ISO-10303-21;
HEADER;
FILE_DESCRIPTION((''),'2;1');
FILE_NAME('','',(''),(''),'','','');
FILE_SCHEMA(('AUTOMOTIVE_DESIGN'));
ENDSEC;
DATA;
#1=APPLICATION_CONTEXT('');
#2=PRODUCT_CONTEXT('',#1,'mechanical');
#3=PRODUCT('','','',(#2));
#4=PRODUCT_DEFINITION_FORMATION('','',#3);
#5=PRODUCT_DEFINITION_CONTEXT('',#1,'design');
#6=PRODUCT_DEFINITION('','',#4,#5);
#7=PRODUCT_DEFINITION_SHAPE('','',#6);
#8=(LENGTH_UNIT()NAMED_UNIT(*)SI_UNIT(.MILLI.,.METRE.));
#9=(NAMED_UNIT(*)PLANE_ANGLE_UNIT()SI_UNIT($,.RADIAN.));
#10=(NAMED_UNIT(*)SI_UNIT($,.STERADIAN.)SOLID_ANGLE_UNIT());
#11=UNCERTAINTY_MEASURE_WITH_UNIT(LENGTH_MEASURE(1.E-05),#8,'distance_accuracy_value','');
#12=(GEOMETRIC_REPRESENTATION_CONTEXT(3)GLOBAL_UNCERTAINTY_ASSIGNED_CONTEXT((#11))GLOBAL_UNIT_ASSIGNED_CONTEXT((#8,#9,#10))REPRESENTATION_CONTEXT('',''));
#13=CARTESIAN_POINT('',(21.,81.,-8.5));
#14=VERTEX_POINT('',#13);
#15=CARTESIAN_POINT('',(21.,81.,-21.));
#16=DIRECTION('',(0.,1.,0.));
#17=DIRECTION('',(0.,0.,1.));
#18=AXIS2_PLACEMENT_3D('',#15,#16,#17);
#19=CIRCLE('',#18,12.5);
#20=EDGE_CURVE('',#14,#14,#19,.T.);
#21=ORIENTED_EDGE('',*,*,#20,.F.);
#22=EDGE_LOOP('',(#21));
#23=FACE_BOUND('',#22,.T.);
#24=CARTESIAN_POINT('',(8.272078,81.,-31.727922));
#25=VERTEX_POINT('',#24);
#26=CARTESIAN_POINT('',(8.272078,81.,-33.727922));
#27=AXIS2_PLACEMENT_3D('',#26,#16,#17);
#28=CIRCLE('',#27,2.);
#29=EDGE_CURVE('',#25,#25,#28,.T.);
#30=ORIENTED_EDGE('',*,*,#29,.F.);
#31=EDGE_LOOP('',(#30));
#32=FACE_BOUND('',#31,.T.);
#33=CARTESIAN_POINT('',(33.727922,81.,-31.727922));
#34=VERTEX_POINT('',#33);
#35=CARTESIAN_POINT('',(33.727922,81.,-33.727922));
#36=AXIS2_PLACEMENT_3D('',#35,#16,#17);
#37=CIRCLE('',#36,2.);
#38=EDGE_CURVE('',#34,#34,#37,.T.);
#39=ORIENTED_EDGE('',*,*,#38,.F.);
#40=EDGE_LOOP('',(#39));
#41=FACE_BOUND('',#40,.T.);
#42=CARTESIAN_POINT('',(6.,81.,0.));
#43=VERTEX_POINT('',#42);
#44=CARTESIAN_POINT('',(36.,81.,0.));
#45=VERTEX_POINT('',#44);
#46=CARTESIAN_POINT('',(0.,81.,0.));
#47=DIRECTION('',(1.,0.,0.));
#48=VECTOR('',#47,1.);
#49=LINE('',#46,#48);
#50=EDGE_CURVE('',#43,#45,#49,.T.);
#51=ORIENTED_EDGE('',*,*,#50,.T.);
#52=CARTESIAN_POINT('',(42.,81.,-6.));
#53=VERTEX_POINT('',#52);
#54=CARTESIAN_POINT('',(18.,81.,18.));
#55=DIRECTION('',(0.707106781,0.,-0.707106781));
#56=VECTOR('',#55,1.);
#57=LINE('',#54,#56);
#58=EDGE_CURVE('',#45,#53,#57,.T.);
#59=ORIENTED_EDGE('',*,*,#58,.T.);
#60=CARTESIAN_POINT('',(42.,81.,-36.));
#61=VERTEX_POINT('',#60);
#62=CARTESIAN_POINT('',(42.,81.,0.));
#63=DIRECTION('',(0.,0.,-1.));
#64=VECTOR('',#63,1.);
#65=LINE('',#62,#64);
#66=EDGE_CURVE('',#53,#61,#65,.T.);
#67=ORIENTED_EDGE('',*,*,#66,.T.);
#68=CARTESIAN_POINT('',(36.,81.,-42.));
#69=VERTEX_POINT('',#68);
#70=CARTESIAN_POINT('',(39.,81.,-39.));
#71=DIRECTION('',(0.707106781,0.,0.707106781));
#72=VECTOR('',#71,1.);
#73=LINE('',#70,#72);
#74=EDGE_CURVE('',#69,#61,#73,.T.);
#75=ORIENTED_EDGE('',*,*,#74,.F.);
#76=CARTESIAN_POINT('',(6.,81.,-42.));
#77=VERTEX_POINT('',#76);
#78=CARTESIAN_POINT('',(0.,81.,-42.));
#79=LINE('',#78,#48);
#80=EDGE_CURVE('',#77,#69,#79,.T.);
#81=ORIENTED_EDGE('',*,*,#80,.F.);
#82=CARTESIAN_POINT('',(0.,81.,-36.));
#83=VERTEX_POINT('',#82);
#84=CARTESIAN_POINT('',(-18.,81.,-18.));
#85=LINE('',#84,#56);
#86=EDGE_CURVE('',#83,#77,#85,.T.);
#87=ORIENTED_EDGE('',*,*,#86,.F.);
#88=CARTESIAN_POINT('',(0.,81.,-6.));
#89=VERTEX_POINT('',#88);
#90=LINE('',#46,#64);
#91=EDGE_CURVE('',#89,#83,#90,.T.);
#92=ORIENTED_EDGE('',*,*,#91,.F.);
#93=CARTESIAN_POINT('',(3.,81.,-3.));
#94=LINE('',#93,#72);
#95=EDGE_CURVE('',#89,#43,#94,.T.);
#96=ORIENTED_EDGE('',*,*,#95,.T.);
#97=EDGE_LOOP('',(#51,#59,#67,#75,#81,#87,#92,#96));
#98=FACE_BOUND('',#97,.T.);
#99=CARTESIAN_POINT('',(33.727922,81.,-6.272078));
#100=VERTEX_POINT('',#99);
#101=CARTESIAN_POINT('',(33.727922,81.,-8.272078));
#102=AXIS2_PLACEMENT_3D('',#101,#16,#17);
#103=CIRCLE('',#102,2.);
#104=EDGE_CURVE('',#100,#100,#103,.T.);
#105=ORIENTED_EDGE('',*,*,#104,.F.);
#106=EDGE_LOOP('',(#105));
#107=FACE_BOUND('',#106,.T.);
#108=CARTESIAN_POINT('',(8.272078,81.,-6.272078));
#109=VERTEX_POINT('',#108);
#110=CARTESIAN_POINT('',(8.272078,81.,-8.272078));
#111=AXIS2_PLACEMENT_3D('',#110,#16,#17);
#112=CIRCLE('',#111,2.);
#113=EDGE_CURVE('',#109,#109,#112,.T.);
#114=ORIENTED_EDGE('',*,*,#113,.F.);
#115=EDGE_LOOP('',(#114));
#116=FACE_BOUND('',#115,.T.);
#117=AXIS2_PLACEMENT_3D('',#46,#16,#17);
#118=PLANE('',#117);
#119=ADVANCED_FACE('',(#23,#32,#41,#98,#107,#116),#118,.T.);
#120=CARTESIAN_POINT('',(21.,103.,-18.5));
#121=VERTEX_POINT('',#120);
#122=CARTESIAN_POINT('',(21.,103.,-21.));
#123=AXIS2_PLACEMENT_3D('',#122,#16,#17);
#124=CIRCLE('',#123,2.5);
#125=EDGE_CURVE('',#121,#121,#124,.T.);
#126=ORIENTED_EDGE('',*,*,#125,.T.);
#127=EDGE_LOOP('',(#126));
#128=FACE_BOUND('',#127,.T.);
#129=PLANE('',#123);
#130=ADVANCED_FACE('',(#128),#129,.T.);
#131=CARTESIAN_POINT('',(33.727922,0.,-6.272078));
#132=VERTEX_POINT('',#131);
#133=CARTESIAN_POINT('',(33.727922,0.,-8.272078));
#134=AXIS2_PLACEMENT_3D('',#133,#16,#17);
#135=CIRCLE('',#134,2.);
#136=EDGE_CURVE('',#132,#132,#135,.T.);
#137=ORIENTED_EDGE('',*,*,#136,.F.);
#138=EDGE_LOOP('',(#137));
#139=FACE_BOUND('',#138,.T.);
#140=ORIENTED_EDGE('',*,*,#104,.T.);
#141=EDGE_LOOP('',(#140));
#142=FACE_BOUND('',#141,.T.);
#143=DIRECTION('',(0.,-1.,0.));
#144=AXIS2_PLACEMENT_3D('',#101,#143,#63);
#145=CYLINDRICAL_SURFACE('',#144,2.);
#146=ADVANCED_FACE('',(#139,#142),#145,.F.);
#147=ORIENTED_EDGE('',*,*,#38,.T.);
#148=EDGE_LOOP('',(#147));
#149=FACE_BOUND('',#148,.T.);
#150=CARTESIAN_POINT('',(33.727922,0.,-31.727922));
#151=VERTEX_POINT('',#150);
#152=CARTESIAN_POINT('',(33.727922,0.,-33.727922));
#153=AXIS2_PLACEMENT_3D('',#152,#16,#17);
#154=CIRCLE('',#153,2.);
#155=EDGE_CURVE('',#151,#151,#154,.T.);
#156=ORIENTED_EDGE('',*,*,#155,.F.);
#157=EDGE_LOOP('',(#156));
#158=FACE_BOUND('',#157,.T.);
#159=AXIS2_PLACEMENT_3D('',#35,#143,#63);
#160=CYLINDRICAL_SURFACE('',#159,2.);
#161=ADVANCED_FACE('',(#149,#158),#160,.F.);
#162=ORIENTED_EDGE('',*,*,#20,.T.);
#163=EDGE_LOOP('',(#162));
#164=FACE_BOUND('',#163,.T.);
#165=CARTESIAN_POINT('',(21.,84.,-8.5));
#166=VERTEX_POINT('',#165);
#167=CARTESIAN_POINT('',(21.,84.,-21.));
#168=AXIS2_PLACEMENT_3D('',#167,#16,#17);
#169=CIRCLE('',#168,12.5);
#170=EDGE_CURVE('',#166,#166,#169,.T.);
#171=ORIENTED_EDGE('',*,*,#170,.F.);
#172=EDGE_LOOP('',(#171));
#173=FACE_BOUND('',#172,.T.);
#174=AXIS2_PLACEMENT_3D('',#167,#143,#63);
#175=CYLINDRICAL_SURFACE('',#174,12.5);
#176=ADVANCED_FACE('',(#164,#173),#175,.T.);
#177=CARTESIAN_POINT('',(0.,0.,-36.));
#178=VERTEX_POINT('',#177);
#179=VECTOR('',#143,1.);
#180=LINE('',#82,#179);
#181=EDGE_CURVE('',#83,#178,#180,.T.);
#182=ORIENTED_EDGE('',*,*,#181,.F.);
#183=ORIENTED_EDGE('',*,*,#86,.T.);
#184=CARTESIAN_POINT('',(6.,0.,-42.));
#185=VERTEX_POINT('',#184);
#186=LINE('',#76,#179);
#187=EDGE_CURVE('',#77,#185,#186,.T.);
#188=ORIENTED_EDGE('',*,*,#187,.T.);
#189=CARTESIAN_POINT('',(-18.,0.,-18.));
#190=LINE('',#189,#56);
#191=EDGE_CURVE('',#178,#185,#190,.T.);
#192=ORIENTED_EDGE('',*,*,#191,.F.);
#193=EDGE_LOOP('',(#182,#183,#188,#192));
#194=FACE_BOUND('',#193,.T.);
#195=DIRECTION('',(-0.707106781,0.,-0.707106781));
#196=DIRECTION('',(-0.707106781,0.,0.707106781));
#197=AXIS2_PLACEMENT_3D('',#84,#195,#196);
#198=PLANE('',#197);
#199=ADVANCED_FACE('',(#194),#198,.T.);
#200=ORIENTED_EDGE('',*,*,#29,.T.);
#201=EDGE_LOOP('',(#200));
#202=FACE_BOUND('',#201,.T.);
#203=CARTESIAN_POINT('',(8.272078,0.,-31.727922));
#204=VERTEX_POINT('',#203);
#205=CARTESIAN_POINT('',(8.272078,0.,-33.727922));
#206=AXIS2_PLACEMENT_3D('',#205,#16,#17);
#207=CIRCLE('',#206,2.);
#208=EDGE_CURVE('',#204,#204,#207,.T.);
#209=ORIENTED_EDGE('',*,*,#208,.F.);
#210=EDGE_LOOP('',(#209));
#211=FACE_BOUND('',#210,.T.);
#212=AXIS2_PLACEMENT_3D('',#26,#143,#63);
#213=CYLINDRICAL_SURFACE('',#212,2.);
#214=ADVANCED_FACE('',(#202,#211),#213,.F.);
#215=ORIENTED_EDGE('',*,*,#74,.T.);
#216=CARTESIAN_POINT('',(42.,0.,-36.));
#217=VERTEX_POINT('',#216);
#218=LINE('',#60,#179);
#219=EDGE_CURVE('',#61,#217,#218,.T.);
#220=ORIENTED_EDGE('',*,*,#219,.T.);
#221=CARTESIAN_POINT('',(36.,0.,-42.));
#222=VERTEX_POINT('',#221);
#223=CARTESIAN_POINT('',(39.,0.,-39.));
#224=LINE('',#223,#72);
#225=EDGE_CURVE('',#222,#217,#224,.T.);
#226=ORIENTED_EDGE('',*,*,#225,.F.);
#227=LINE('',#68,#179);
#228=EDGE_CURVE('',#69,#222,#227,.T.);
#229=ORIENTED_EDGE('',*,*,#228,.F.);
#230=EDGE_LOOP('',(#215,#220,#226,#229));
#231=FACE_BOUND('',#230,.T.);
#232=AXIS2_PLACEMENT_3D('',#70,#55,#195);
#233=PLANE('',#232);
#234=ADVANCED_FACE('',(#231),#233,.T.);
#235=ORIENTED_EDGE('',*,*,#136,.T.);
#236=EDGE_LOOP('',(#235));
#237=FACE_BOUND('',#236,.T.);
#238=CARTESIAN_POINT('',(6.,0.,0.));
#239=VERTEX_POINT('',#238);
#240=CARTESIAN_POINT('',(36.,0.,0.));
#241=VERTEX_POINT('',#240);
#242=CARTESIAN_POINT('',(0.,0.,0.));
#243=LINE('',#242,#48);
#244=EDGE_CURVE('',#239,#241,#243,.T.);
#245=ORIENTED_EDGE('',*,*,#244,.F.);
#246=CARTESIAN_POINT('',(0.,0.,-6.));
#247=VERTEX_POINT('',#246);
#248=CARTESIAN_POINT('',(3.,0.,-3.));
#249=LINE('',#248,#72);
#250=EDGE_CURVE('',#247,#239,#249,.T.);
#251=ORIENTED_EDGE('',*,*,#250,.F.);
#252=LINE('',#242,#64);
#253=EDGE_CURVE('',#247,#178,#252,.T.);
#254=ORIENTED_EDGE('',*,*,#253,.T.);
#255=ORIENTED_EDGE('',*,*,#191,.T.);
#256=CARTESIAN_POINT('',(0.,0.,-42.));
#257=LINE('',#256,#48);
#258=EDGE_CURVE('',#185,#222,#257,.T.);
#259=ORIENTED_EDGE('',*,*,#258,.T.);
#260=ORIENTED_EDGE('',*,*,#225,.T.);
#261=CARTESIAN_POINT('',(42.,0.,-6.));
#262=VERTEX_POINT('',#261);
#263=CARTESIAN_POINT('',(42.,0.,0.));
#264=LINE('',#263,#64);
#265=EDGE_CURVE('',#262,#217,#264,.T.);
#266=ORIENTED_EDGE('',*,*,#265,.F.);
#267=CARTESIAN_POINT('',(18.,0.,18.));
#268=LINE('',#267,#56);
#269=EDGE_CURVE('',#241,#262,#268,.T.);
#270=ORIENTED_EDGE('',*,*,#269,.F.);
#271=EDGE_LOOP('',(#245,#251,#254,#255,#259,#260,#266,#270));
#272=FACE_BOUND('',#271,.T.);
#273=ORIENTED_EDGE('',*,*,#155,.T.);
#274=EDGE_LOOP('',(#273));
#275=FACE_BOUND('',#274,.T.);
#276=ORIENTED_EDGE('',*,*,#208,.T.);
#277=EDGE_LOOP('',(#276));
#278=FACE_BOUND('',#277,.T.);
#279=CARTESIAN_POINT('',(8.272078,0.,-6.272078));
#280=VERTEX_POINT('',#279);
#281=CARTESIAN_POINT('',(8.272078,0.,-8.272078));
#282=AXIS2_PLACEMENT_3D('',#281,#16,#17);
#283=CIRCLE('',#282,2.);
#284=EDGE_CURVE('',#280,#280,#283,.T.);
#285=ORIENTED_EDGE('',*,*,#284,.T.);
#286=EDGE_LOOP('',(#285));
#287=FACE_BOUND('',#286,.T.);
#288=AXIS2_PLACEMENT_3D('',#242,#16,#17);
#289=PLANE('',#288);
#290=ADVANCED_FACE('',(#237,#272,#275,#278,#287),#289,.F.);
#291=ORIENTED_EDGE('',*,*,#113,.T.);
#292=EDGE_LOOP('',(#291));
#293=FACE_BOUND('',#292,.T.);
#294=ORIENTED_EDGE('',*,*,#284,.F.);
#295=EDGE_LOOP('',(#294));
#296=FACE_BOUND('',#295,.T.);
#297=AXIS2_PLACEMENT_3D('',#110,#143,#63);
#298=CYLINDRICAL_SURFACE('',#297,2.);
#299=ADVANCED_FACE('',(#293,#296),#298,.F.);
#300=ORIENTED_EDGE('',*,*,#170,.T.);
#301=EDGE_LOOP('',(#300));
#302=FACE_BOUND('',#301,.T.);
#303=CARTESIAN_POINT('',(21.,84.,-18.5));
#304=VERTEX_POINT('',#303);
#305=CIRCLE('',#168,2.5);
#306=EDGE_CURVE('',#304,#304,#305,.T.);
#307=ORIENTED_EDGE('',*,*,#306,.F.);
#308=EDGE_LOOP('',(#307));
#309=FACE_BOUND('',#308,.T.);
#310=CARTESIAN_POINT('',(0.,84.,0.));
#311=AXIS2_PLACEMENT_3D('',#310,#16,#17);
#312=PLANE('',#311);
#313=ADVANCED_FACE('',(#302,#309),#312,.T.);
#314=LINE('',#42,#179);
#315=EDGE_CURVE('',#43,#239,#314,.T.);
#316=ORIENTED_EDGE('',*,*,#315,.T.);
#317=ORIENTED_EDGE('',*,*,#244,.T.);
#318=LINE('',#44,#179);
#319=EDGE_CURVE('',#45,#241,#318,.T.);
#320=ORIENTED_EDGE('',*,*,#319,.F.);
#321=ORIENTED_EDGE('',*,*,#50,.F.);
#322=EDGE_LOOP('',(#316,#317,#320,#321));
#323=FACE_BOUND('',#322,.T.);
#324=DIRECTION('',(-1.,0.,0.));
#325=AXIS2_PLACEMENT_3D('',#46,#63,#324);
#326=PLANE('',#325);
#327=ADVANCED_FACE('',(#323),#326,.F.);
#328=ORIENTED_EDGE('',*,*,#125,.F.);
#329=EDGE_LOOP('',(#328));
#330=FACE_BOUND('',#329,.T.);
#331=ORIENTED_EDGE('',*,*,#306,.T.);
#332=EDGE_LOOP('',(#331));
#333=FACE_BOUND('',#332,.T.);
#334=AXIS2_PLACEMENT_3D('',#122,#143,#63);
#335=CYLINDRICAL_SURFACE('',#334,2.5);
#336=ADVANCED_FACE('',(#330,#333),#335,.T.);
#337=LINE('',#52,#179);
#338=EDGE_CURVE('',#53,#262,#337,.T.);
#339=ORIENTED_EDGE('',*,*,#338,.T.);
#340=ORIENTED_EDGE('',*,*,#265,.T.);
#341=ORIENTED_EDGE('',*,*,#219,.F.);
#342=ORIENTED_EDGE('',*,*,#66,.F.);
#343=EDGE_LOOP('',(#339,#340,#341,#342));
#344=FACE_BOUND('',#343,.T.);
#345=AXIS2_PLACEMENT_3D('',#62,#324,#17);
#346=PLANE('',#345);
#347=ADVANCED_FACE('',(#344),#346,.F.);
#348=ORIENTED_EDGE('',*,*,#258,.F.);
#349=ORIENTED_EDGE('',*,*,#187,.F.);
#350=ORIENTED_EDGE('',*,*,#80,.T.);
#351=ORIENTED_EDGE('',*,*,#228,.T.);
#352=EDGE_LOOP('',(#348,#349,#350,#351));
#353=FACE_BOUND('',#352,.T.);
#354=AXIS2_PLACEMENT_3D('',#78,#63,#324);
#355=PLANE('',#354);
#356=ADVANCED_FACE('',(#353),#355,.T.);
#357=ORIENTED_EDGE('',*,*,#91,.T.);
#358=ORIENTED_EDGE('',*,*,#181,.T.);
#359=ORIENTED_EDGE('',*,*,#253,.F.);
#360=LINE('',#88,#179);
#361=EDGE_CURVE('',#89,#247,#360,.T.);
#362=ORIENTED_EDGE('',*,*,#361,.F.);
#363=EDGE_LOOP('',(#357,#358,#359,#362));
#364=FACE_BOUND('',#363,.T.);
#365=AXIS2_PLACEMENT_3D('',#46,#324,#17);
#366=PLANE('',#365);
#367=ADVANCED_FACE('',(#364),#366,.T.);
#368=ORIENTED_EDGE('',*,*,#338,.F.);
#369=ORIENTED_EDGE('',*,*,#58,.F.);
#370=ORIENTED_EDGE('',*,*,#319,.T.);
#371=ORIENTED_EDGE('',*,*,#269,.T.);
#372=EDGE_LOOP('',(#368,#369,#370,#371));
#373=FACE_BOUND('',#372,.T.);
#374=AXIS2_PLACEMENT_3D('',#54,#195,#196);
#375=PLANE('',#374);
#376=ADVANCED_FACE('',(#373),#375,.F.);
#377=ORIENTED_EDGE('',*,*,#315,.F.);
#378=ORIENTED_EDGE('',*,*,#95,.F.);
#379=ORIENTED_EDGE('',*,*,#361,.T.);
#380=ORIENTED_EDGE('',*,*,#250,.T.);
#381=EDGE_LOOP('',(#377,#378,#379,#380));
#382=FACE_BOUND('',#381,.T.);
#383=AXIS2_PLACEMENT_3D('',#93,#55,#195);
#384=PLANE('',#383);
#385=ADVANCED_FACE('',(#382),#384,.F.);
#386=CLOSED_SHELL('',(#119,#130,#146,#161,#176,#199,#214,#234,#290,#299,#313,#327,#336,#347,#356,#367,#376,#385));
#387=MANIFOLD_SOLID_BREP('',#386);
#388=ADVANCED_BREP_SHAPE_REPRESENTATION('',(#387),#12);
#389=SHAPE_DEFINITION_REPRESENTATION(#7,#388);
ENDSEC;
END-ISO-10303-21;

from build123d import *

# Parameters (mm, degrees)
SZKIC1_R                    = 2
DODANIE_WYCI_GNI_CIE1_DEPTH = 81
DODANIE_WYCI_GNI_CIE2_DEPTH = 3
SZKIC3_R                    = 2.5
DODANIE_WYCI_GNI_CIE3_DEPTH = 19


with BuildPart() as part:
    # Szkic1 → Dodanie-wyciągnięcie1 (new body)
    with BuildSketch(Plane(origin=(0, 0, 0), x_dir=(1, 0, 0), z_dir=(0, 1, 0))):
        Polygon((6, 0), (36, 0), (42, 6), (42, 36), (36, 42), (6, 42), (0, 36), (0, 6), align=None)
        with Locations(Location((33.727922061, 33.727922061, 0), (0, 0, 270))):
            Circle(SZKIC1_R, mode=Mode.SUBTRACT)
        with Locations(Location((33.727922061, 8.272077939, 0), (0, 0, 270))):
            Circle(SZKIC1_R, mode=Mode.SUBTRACT)
        with Locations(Location((8.272077939, 8.272077939, 0), (0, 0, 270))):
            Circle(SZKIC1_R, mode=Mode.SUBTRACT)
        with Locations(Location((8.272077939, 33.727922061, 0), (0, 0, 270))):
            Circle(SZKIC1_R, mode=Mode.SUBTRACT)
    extrude(amount=DODANIE_WYCI_GNI_CIE1_DEPTH)

    # Szkic2 → Dodanie-wyciągnięcie2 (add)
    with BuildSketch(Plane(origin=(0, 81, 0), x_dir=(1, 0, 0), z_dir=(0, 1, 0))):
        with BuildLine():
            ThreePointArc((33.5, 21), (29.838834765, 29.838834765), (21, 33.5))
            Line((21, 33.5), (21, 21))
            Line((21, 21), (33.5, 21))
        make_face()
        with BuildLine():
            Line((21, 21), (21, 33.5))
            ThreePointArc((21, 33.5), (12.161165235, 12.161165235), (33.5, 21))
            Line((33.5, 21), (21, 21))
        make_face()
    extrude(amount=DODANIE_WYCI_GNI_CIE2_DEPTH)

    # Szkic3 → Dodanie-wyciągnięcie3 (add)
    with BuildSketch(Plane(origin=(0, 84, 0), x_dir=(1, 0, 0), z_dir=(0, 1, 0))):
        with Locations(Location((21, 21, 0), (0, 0, 270))):
            Circle(SZKIC3_R)
    extrude(amount=DODANIE_WYCI_GNI_CIE3_DEPTH)


solid = part.part
